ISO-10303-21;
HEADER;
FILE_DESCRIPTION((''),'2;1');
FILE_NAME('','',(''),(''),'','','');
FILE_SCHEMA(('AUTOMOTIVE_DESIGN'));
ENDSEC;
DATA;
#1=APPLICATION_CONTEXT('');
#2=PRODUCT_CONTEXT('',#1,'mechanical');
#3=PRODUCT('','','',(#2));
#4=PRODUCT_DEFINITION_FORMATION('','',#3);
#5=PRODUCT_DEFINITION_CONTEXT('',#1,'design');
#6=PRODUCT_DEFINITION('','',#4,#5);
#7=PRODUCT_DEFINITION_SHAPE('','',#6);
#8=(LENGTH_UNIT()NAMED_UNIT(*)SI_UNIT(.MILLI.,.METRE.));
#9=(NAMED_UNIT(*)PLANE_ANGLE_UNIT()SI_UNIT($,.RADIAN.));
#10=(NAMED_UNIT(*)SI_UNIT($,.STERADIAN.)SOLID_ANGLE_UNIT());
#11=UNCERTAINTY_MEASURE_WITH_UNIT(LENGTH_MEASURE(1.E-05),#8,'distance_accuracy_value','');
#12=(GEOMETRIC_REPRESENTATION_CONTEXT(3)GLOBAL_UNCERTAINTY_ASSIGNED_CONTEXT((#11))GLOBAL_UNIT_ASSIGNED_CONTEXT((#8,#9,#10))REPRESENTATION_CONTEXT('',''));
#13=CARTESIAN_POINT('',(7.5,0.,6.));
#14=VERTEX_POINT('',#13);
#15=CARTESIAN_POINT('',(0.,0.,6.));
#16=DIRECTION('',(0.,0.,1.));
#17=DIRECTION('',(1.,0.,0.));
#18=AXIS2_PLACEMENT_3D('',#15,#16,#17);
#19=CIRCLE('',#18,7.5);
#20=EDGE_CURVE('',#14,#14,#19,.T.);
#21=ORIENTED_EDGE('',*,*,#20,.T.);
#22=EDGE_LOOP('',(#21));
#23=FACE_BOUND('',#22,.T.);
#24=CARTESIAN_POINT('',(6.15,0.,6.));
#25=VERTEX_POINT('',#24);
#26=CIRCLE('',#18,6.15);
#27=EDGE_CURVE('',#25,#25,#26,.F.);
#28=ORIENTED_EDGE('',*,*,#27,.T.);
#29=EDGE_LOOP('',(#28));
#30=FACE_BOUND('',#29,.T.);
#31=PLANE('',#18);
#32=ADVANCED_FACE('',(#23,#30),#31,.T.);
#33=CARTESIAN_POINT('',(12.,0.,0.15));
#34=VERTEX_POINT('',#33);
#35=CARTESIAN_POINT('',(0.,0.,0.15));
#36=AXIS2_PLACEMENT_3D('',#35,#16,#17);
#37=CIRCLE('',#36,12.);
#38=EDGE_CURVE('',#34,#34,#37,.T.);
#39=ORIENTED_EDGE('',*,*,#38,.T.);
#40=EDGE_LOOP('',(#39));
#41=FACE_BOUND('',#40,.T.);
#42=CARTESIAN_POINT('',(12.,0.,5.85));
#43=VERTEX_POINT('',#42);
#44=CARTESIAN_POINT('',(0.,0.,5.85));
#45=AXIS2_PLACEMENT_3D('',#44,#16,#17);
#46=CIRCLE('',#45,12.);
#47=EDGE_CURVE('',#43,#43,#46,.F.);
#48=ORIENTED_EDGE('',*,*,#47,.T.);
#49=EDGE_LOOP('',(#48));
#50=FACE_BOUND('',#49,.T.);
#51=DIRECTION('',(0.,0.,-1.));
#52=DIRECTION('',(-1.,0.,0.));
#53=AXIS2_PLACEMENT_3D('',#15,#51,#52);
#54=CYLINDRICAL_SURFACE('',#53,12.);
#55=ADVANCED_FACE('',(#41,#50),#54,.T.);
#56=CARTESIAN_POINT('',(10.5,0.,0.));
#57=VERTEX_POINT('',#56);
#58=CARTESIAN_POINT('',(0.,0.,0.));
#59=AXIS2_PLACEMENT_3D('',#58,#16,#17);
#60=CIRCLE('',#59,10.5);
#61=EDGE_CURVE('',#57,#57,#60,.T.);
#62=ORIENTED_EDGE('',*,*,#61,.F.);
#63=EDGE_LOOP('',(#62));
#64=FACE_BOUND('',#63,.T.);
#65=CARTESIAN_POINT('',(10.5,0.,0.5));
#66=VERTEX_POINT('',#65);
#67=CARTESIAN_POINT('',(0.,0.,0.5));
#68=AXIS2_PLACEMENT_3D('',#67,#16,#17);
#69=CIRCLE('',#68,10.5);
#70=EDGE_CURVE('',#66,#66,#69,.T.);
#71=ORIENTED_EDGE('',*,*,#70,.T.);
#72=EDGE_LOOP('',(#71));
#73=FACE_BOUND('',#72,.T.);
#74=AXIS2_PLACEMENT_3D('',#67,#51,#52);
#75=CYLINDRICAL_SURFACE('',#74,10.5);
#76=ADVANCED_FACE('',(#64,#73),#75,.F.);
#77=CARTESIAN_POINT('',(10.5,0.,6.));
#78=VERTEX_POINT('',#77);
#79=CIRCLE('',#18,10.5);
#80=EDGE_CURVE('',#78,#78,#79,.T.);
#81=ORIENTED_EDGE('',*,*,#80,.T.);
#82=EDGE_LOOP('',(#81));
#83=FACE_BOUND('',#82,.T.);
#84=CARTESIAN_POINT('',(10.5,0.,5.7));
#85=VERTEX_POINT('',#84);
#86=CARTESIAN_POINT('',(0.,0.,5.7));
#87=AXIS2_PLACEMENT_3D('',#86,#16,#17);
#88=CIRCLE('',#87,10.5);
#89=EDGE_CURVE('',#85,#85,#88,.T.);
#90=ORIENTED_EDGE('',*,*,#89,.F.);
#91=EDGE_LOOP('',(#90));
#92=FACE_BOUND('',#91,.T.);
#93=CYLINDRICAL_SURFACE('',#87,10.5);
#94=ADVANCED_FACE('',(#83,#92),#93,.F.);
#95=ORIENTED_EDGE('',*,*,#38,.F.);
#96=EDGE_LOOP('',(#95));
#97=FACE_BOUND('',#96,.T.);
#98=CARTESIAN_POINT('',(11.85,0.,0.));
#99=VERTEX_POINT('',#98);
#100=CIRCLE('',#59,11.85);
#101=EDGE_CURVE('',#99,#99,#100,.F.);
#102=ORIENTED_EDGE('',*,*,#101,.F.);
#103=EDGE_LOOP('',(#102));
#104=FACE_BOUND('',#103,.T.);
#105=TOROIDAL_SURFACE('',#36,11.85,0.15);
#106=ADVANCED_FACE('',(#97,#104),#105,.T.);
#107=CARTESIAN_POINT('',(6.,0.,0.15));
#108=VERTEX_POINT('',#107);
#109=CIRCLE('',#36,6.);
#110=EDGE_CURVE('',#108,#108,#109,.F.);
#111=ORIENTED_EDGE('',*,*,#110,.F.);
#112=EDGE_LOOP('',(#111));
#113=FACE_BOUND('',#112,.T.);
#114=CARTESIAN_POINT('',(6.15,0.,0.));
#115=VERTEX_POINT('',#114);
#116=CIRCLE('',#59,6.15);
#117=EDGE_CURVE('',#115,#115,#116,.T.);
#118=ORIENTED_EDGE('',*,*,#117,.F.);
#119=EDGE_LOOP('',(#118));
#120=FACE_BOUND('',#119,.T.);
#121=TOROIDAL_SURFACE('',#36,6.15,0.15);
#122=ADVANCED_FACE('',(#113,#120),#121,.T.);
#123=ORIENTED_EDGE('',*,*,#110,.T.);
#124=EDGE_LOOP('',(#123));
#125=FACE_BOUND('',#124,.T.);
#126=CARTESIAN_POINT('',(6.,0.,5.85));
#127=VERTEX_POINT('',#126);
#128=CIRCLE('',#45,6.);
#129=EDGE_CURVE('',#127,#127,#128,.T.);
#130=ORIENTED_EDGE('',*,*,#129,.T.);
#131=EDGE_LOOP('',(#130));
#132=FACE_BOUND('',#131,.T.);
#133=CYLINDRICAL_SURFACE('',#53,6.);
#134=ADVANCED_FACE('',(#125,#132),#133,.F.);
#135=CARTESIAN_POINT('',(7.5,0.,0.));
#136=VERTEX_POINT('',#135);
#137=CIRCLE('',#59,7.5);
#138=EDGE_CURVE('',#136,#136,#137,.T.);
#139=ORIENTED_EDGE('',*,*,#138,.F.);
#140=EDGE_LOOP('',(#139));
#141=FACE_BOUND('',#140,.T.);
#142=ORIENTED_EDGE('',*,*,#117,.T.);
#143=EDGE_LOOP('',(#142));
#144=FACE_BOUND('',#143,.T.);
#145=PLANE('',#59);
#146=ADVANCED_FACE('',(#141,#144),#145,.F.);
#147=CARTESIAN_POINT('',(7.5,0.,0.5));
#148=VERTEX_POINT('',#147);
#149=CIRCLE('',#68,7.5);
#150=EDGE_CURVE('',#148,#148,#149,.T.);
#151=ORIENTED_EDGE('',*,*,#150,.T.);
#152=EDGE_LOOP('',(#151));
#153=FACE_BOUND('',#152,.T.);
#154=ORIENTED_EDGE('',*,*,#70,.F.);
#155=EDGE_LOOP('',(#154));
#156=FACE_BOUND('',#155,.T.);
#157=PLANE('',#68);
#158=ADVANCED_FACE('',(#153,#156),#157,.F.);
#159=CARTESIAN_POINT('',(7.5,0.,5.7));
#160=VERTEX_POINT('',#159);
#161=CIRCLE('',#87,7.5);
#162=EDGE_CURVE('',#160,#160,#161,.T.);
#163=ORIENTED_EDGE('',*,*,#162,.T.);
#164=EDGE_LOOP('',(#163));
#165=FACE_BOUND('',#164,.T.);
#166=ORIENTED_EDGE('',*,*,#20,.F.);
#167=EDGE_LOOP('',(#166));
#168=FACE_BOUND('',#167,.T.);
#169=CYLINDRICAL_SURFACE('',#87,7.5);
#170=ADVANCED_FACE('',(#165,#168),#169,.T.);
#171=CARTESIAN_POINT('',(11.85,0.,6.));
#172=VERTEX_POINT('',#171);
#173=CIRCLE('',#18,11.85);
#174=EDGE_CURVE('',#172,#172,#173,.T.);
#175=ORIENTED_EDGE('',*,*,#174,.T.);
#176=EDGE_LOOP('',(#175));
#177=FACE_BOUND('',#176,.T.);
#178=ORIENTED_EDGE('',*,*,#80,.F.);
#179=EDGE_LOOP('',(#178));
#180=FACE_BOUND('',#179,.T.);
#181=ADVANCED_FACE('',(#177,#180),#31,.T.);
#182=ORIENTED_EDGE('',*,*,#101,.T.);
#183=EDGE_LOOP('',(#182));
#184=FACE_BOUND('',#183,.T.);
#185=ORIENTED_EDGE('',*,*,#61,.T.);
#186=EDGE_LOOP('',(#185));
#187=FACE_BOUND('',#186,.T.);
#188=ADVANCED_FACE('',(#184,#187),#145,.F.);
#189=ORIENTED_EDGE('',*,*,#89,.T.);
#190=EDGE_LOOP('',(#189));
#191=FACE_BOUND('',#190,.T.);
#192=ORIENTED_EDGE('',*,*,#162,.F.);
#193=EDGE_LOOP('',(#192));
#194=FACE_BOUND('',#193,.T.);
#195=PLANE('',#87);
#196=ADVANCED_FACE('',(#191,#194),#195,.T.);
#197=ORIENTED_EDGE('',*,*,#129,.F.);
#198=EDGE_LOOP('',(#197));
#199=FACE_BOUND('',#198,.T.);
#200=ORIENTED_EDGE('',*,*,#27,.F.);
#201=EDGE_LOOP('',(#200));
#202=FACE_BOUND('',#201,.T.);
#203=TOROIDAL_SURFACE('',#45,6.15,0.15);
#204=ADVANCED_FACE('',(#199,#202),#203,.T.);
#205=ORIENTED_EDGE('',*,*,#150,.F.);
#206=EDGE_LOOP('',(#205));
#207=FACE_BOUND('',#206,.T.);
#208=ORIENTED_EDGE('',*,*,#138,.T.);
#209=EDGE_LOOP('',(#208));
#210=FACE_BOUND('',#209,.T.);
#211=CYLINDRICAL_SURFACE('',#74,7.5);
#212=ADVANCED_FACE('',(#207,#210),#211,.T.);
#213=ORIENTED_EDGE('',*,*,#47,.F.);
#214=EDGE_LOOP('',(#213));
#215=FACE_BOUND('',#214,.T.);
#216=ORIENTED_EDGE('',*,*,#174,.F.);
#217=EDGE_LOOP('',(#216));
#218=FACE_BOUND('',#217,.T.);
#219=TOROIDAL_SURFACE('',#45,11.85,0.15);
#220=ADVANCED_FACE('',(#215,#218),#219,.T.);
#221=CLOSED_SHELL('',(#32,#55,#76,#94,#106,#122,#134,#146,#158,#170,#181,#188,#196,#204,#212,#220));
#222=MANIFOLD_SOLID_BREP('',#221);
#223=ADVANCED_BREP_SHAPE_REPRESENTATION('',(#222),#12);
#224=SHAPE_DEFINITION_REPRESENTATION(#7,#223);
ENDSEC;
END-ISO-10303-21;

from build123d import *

# Parameters (mm, degrees)
SKETCH1_R           = 12
SKETCH1_R_2         = 6
BOSS_EXTRUDE1_DEPTH = 6
SKETCH2_R           = 10.5
SKETCH2_R_2         = 7.5
CUT_EXTRUDE1_DEPTH  = 0.3
CUT_EXTRUDE2_START  = -5.5
SKETCH2_2_R         = 10.5
SKETCH2_2_R_2       = 7.5
CUT_EXTRUDE2_DEPTH  = 0.5
FILLET1_R           = 0.15


with BuildPart() as part:
    # Sketch1 → Boss-Extrude1 (new body)
    with BuildSketch(Plane.XY):
        Circle(SKETCH1_R)
        Circle(SKETCH1_R_2, mode=Mode.SUBTRACT)
    extrude(amount=BOSS_EXTRUDE1_DEPTH)

    # Sketch2 → Cut-Extrude1 (cut)
    with BuildSketch(Plane.XY.offset(6)):
        Circle(SKETCH2_R)
        Circle(SKETCH2_R_2, mode=Mode.SUBTRACT)
    extrude(amount=-CUT_EXTRUDE1_DEPTH, mode=Mode.SUBTRACT)

    # Sketch2<2> → Cut-Extrude2 (cut)
    with BuildSketch(Plane.XY.offset(6).offset(CUT_EXTRUDE2_START)):
        Circle(SKETCH2_2_R)
        Circle(SKETCH2_2_R_2, mode=Mode.SUBTRACT)
    extrude(amount=-CUT_EXTRUDE2_DEPTH, mode=Mode.SUBTRACT)

    # Fillet1
    fillet1_edges = [part.edges().sort_by_distance(p)[0] for p in [
        (-12, 0, 0),
        (-12, 0, 6),
        (-6, 0, 0),
        (-6, 0, 6),
    ]]
    fillet(fillet1_edges, radius=FILLET1_R)


solid = part.part
